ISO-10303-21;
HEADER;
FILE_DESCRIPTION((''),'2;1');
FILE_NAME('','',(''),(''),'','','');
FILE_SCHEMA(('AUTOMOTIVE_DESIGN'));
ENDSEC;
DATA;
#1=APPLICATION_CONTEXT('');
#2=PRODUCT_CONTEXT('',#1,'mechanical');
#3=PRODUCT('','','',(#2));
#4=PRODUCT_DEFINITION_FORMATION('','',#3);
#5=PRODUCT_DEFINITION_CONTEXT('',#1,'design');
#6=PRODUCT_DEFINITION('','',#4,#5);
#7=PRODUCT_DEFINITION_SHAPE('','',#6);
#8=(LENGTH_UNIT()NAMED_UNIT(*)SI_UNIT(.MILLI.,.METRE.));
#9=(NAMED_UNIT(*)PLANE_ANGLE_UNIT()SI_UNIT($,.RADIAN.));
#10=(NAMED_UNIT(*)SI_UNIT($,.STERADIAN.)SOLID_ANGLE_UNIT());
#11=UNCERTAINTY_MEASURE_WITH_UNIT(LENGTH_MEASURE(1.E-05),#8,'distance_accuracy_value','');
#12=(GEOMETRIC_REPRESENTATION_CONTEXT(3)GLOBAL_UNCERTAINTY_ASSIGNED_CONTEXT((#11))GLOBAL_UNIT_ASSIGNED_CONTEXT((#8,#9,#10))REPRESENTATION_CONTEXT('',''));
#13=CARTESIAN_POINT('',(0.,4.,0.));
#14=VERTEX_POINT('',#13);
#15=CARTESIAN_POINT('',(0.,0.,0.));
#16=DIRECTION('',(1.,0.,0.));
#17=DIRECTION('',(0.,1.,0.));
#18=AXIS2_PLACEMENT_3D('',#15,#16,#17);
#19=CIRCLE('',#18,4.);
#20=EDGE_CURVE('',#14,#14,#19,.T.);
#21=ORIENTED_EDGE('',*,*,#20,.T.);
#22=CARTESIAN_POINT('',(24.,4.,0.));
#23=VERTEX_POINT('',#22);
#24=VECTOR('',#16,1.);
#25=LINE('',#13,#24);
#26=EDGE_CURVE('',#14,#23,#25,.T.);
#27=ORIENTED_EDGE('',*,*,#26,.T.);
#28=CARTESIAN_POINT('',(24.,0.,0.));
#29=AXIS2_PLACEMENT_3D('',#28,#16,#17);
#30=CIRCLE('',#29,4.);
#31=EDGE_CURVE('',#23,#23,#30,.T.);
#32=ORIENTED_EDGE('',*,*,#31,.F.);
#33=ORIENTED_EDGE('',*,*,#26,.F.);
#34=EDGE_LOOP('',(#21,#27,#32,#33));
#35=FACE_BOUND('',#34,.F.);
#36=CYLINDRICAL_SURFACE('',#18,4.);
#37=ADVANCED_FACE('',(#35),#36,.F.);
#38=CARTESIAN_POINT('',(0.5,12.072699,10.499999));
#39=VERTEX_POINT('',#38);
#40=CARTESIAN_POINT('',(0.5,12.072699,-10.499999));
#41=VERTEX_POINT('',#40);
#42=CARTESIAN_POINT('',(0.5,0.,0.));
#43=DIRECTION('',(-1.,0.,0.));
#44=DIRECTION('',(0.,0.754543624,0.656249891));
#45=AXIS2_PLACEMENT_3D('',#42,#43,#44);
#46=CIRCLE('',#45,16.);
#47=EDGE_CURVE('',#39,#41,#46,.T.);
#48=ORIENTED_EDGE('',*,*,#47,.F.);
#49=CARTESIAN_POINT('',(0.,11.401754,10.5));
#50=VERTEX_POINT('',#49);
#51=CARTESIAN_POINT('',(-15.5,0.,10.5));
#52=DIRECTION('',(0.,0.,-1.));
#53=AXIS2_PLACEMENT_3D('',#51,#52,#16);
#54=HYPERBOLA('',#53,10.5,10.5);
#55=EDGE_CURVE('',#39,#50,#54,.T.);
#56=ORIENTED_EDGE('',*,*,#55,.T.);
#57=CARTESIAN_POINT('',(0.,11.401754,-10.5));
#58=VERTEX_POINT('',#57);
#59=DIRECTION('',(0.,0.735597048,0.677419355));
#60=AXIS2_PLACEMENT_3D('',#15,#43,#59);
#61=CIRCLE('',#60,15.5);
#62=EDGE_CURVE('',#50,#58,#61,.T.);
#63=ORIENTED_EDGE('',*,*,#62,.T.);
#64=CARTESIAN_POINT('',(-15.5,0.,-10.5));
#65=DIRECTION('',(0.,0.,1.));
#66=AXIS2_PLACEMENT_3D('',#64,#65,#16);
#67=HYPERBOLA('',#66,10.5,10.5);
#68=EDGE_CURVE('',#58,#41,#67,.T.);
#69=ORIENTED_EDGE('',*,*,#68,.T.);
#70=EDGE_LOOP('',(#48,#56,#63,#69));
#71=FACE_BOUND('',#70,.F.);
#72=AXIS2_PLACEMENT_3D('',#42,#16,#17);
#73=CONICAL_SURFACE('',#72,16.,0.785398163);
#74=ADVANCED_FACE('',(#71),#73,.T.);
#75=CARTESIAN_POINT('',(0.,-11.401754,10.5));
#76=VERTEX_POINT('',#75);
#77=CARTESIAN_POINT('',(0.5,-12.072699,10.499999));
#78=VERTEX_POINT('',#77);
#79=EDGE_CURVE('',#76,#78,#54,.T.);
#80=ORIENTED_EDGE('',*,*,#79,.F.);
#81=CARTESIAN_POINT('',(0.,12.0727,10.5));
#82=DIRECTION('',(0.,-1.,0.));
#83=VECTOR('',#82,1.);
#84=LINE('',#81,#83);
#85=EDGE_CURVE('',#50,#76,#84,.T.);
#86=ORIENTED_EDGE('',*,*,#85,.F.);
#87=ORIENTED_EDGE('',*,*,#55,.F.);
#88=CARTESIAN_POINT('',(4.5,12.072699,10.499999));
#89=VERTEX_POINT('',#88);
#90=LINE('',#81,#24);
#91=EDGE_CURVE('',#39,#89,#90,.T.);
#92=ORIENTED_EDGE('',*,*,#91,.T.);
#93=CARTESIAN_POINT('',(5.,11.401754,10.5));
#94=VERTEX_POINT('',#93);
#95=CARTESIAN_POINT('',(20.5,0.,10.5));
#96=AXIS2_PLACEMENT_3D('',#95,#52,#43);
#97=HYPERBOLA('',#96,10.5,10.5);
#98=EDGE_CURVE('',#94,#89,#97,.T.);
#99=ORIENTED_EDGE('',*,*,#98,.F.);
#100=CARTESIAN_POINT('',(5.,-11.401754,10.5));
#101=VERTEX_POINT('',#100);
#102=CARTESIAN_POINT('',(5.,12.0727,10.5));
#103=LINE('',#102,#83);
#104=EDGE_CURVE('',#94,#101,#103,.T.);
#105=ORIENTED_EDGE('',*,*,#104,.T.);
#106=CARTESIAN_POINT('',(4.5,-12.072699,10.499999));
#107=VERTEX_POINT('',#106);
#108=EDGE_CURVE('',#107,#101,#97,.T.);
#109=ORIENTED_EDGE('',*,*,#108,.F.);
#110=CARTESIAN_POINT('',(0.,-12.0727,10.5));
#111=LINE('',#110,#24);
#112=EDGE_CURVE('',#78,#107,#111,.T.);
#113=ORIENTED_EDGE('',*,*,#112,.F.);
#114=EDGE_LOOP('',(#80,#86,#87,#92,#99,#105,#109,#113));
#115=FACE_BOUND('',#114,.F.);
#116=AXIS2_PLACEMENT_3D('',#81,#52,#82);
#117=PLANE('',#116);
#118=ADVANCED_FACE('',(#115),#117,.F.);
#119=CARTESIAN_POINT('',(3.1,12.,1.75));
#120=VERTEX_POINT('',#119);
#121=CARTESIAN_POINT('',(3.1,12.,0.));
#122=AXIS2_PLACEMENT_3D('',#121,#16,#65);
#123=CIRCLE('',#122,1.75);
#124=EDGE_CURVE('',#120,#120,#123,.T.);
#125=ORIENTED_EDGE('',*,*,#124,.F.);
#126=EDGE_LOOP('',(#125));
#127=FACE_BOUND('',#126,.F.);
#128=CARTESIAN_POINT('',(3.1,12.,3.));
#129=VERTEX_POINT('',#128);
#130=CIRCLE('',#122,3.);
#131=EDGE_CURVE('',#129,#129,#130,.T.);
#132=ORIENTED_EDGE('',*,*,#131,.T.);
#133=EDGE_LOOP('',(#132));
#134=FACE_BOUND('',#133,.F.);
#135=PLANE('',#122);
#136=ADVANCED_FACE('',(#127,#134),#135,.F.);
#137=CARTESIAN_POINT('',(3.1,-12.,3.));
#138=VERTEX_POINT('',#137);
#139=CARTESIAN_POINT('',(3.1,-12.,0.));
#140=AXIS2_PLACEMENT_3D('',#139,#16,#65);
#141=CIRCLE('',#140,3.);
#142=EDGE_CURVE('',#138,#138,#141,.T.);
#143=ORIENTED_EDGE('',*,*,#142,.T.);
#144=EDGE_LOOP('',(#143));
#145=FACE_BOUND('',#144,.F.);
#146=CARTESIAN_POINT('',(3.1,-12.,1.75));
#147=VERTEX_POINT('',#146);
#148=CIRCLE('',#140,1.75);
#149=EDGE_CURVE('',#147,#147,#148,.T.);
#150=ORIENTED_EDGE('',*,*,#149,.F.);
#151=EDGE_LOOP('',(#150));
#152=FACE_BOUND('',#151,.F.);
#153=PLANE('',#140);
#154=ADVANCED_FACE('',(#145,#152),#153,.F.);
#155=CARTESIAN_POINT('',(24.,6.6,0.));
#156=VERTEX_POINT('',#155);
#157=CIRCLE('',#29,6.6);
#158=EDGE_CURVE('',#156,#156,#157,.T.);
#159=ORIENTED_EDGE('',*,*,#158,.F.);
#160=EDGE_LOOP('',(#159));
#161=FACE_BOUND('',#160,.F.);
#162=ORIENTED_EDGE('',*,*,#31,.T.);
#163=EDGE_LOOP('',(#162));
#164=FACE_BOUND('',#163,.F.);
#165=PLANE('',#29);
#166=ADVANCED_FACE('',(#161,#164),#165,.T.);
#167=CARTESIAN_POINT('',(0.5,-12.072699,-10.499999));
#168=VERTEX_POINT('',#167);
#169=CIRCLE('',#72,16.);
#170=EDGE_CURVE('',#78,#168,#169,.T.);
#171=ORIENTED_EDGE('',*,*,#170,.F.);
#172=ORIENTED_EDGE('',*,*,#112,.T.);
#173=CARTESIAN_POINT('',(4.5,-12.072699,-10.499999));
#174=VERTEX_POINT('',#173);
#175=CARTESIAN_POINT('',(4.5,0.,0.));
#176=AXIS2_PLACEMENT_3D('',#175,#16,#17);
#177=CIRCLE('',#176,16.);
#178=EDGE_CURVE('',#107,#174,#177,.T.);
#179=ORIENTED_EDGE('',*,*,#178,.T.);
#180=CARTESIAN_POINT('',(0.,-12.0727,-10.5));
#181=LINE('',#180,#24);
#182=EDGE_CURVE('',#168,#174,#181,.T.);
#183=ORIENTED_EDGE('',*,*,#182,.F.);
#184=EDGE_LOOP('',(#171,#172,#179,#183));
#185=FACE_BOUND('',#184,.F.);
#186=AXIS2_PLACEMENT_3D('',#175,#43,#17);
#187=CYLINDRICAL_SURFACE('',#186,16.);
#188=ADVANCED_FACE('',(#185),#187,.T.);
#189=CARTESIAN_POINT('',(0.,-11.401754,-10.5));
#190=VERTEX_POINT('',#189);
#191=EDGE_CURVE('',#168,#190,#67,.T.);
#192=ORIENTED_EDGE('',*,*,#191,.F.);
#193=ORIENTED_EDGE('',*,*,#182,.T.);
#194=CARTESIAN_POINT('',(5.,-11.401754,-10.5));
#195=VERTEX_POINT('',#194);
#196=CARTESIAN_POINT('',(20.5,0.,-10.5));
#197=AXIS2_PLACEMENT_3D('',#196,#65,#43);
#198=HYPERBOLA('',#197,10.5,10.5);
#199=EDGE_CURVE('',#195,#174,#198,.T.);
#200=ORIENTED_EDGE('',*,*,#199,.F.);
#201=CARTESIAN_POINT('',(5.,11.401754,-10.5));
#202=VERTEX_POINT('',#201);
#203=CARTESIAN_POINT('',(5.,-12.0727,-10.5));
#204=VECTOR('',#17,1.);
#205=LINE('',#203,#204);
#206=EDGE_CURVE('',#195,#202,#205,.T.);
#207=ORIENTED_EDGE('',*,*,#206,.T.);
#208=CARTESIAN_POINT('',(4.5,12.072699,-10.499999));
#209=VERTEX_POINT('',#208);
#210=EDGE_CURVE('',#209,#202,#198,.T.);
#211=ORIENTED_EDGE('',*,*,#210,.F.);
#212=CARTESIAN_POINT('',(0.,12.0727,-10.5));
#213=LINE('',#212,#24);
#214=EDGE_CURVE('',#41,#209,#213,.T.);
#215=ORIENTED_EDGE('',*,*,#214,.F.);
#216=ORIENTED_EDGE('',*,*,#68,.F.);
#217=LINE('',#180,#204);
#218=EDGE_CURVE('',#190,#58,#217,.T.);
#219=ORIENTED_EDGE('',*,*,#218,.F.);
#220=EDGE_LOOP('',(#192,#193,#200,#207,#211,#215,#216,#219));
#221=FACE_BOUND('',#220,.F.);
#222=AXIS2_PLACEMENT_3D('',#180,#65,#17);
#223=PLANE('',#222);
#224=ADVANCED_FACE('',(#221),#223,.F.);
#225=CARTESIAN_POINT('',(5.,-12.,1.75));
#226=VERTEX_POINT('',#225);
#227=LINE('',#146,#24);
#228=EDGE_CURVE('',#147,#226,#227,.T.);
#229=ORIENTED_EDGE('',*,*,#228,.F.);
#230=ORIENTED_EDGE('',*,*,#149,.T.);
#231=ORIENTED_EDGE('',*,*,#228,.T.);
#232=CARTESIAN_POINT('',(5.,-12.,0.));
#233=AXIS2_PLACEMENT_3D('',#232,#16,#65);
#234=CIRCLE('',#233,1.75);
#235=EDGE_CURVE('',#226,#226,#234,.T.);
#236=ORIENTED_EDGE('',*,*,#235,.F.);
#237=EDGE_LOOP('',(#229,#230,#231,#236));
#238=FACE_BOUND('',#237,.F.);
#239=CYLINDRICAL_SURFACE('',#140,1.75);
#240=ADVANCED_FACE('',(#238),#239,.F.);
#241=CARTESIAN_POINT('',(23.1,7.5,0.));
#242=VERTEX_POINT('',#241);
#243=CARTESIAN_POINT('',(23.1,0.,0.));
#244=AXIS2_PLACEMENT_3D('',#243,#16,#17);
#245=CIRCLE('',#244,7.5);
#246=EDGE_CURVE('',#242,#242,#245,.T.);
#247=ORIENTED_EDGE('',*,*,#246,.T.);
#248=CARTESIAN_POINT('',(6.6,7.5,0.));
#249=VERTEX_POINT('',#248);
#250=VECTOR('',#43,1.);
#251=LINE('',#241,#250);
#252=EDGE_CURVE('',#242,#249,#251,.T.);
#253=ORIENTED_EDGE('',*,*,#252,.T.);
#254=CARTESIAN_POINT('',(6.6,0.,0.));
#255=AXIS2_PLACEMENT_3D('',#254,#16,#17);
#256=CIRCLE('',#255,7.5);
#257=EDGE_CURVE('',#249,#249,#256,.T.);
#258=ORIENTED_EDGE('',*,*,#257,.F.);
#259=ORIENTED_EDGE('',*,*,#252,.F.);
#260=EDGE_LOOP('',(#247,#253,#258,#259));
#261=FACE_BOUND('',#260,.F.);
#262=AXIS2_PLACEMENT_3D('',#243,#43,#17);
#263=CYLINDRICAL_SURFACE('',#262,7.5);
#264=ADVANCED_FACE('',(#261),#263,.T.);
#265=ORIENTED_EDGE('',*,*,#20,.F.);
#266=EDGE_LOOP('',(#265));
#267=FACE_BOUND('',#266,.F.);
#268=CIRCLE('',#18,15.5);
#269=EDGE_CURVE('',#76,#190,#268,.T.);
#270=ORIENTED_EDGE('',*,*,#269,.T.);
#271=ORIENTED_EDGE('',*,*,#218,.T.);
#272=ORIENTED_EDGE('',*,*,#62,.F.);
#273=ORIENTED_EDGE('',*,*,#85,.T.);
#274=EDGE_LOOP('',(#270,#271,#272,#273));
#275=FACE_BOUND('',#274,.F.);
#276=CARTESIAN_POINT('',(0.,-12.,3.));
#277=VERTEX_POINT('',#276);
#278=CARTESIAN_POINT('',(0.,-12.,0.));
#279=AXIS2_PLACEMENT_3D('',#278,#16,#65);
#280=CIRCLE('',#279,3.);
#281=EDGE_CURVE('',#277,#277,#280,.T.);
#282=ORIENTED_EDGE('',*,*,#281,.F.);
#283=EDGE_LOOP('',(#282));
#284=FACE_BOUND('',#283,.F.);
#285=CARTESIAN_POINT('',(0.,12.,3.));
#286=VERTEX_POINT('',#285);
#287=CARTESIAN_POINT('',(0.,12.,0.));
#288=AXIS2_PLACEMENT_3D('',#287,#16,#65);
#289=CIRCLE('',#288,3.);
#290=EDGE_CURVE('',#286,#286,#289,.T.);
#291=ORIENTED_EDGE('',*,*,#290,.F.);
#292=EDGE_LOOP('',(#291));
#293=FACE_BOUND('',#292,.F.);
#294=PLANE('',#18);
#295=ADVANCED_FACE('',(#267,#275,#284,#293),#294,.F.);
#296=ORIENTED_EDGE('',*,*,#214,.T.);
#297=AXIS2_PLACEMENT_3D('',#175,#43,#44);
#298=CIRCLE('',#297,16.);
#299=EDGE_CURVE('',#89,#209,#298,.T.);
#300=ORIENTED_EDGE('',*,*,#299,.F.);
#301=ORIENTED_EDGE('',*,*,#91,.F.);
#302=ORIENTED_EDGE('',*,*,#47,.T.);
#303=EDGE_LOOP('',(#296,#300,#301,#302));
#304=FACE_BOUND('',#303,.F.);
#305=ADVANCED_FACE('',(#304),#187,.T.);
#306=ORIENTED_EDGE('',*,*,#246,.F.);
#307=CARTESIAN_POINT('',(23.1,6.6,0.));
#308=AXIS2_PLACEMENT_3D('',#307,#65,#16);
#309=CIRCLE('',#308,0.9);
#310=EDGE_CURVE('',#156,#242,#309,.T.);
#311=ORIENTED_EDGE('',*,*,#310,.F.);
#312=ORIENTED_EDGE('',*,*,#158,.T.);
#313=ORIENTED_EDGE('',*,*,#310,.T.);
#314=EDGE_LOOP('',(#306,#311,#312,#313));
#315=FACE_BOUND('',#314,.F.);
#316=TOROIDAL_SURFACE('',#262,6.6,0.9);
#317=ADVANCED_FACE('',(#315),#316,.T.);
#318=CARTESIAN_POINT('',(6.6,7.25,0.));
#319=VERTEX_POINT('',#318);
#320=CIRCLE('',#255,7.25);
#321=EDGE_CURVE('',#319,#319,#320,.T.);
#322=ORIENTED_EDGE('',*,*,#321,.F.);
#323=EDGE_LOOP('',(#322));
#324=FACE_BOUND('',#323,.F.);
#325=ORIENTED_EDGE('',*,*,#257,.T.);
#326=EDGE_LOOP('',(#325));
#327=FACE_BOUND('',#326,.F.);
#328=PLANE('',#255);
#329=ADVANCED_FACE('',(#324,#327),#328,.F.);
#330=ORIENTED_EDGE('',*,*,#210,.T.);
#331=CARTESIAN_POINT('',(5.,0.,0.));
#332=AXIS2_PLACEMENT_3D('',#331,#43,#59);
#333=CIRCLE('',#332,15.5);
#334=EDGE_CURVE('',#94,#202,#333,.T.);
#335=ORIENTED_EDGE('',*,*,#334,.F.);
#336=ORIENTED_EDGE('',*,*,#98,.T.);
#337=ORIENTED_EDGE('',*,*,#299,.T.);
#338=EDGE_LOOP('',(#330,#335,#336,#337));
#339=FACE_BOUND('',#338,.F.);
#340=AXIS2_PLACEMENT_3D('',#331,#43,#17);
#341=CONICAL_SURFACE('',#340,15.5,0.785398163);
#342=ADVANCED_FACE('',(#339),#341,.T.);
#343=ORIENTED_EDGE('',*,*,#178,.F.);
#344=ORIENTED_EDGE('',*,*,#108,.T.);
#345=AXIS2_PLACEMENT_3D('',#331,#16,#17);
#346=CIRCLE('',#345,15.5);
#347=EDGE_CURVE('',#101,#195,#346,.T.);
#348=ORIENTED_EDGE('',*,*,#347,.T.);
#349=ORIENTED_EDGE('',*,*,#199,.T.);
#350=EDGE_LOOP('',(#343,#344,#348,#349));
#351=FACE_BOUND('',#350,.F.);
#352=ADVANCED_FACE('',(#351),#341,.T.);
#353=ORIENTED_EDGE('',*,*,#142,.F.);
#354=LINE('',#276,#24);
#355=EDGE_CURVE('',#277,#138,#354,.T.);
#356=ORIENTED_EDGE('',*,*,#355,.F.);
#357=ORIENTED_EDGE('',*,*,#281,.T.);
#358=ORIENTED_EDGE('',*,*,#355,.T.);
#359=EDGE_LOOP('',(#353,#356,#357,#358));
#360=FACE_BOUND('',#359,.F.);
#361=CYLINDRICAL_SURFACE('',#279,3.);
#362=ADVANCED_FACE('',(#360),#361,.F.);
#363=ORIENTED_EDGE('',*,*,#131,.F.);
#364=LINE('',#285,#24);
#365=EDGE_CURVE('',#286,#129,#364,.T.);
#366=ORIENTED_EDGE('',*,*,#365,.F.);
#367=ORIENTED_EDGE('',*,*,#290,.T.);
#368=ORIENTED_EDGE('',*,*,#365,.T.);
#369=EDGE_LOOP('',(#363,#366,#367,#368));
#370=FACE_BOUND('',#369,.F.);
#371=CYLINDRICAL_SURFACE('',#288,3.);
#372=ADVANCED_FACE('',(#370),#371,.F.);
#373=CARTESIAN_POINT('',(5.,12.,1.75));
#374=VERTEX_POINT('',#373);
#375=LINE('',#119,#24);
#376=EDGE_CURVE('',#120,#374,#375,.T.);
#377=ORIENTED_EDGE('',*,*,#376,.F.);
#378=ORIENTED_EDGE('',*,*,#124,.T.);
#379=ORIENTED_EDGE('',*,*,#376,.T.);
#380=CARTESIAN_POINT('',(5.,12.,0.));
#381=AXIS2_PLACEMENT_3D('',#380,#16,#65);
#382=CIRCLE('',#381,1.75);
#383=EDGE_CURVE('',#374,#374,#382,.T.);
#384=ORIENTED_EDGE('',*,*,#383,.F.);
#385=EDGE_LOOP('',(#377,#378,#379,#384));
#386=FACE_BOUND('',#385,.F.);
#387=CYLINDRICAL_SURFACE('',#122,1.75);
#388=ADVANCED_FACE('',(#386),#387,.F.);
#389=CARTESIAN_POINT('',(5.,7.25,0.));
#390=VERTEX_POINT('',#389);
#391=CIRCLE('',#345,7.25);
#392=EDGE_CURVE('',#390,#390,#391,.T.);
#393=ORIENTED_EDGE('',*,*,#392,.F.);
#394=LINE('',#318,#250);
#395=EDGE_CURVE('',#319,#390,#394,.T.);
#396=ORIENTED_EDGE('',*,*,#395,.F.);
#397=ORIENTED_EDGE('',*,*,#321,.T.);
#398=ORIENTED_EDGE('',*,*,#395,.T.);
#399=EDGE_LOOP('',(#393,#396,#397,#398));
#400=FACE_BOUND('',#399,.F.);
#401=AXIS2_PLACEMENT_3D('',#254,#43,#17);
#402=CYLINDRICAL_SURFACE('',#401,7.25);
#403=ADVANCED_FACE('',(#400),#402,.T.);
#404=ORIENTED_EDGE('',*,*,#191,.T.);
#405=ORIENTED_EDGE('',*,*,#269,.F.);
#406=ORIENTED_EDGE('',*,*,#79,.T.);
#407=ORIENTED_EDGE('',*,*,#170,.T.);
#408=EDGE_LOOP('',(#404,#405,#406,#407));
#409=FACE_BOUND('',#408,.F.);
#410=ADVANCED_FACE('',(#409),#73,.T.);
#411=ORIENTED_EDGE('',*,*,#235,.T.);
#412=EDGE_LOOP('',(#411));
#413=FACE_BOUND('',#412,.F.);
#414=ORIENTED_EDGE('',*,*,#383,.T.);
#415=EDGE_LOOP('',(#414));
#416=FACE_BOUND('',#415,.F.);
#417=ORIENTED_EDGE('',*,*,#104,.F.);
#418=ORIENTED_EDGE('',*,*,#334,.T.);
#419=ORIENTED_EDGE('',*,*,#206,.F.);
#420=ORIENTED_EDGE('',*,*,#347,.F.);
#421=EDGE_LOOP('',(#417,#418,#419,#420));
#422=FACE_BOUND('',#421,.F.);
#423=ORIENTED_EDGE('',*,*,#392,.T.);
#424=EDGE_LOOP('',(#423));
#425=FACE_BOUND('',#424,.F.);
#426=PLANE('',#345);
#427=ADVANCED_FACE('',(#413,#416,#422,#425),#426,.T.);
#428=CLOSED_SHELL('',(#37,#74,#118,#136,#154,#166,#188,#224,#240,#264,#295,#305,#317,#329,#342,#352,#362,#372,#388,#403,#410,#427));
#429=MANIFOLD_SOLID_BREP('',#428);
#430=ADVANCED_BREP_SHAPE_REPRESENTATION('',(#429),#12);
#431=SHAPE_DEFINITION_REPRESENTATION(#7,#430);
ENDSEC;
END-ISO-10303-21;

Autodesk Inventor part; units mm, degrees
sketch "Sketch_1" plane through (0, 0, 0) normal (0, 0, 1) x (1, 0, 0)
  line L0 (24, 0) -> (0, 0)
  line L1 (0, 4) -> (24, 4)
  line L2 (24, 4) -> (24, 6.6)
  arc A0 (24, 6.6) -> (23.1, 7.5) centre (23.1, 6.6) ccw
  line L3 (23.1, 7.5) -> (6.6, 7.5)
  line L4 (6.6, 7.5) -> (6.6, 7.25)
  line L5 (6.6, 7.25) -> (5, 7.25)
  line L6 (5, 7.25) -> (5, 15.5)
  line L7 (5, 15.5) -> (4.5, 16)
  line L8 (4.5, 16) -> (0.5, 16)
  line L9 (0.5, 16) -> (0, 15.5)
  line L10 (0, 15.5) -> (0, 4)
revolve "Revolution1" add sketch "Sketch_1" angle 360 about axis through (24, 0, 0) along (1, 0, 0)
sketch "Sketch_3" plane through (0, 0, 0) normal (1, 0, 0) x (0, 1, 0)
  line L0 (-32, 32) -> (-32, -32)
  line L1 (-32, -32) -> (32, -32)
  line L2 (32, -32) -> (32, 32)
  line L3 (32, 32) -> (-32, 32)
  line L4 (12.0727, 10.5) -> (-12.0727, 10.5)
  arc A0 (-12.0727, 10.5) -> (-12.0727, -10.5) centre (0, 0) ccw
  line L5 (-12.0727, -10.5) -> (12.0727, -10.5)
  arc A1 (12.0727, -10.5) -> (12.0727, 10.5) centre (0, 0) ccw
extrude "Extrusion1" cut sketch "Sketch_3" along normal blind 5
sketch "Sketch3" plane through (0, -11.4018, -10.5) normal (-1, 0, 0) x (0, 0, 1)
  point P0 (10.5, 23.4018)
hole "Hole1" at (0, 12, 0) direction (1, 0, 0) diameter 3.5 depth 5 counterbore diameter 6 counterbore depth 3.1
sketch "Sketch4" plane through (0, -11.4018, -10.5) normal (-1, 0, 0) x (0, 0, 1)
  point P0 (10.5, -0.5982)
hole "Hole2" at (0, -12, 0) direction (1, 0, 0) diameter 3.5 depth 5 counterbore diameter 6 counterbore depth 3.1
ref_plane "Combination_Module_XY" through (0, 0, 0) normal (1, 0, 0) x (0, 0, -1)
ref_plane "Combination_Module_YZ" through (0, 0, 0) normal (0, 0, -1) x (0, 1, 0)
ref_plane "Combination_Module_ZX" through (0, 0, 0) normal (0, 1, 0) x (1, 0, 0)
properties part number "C-LHFC8"
